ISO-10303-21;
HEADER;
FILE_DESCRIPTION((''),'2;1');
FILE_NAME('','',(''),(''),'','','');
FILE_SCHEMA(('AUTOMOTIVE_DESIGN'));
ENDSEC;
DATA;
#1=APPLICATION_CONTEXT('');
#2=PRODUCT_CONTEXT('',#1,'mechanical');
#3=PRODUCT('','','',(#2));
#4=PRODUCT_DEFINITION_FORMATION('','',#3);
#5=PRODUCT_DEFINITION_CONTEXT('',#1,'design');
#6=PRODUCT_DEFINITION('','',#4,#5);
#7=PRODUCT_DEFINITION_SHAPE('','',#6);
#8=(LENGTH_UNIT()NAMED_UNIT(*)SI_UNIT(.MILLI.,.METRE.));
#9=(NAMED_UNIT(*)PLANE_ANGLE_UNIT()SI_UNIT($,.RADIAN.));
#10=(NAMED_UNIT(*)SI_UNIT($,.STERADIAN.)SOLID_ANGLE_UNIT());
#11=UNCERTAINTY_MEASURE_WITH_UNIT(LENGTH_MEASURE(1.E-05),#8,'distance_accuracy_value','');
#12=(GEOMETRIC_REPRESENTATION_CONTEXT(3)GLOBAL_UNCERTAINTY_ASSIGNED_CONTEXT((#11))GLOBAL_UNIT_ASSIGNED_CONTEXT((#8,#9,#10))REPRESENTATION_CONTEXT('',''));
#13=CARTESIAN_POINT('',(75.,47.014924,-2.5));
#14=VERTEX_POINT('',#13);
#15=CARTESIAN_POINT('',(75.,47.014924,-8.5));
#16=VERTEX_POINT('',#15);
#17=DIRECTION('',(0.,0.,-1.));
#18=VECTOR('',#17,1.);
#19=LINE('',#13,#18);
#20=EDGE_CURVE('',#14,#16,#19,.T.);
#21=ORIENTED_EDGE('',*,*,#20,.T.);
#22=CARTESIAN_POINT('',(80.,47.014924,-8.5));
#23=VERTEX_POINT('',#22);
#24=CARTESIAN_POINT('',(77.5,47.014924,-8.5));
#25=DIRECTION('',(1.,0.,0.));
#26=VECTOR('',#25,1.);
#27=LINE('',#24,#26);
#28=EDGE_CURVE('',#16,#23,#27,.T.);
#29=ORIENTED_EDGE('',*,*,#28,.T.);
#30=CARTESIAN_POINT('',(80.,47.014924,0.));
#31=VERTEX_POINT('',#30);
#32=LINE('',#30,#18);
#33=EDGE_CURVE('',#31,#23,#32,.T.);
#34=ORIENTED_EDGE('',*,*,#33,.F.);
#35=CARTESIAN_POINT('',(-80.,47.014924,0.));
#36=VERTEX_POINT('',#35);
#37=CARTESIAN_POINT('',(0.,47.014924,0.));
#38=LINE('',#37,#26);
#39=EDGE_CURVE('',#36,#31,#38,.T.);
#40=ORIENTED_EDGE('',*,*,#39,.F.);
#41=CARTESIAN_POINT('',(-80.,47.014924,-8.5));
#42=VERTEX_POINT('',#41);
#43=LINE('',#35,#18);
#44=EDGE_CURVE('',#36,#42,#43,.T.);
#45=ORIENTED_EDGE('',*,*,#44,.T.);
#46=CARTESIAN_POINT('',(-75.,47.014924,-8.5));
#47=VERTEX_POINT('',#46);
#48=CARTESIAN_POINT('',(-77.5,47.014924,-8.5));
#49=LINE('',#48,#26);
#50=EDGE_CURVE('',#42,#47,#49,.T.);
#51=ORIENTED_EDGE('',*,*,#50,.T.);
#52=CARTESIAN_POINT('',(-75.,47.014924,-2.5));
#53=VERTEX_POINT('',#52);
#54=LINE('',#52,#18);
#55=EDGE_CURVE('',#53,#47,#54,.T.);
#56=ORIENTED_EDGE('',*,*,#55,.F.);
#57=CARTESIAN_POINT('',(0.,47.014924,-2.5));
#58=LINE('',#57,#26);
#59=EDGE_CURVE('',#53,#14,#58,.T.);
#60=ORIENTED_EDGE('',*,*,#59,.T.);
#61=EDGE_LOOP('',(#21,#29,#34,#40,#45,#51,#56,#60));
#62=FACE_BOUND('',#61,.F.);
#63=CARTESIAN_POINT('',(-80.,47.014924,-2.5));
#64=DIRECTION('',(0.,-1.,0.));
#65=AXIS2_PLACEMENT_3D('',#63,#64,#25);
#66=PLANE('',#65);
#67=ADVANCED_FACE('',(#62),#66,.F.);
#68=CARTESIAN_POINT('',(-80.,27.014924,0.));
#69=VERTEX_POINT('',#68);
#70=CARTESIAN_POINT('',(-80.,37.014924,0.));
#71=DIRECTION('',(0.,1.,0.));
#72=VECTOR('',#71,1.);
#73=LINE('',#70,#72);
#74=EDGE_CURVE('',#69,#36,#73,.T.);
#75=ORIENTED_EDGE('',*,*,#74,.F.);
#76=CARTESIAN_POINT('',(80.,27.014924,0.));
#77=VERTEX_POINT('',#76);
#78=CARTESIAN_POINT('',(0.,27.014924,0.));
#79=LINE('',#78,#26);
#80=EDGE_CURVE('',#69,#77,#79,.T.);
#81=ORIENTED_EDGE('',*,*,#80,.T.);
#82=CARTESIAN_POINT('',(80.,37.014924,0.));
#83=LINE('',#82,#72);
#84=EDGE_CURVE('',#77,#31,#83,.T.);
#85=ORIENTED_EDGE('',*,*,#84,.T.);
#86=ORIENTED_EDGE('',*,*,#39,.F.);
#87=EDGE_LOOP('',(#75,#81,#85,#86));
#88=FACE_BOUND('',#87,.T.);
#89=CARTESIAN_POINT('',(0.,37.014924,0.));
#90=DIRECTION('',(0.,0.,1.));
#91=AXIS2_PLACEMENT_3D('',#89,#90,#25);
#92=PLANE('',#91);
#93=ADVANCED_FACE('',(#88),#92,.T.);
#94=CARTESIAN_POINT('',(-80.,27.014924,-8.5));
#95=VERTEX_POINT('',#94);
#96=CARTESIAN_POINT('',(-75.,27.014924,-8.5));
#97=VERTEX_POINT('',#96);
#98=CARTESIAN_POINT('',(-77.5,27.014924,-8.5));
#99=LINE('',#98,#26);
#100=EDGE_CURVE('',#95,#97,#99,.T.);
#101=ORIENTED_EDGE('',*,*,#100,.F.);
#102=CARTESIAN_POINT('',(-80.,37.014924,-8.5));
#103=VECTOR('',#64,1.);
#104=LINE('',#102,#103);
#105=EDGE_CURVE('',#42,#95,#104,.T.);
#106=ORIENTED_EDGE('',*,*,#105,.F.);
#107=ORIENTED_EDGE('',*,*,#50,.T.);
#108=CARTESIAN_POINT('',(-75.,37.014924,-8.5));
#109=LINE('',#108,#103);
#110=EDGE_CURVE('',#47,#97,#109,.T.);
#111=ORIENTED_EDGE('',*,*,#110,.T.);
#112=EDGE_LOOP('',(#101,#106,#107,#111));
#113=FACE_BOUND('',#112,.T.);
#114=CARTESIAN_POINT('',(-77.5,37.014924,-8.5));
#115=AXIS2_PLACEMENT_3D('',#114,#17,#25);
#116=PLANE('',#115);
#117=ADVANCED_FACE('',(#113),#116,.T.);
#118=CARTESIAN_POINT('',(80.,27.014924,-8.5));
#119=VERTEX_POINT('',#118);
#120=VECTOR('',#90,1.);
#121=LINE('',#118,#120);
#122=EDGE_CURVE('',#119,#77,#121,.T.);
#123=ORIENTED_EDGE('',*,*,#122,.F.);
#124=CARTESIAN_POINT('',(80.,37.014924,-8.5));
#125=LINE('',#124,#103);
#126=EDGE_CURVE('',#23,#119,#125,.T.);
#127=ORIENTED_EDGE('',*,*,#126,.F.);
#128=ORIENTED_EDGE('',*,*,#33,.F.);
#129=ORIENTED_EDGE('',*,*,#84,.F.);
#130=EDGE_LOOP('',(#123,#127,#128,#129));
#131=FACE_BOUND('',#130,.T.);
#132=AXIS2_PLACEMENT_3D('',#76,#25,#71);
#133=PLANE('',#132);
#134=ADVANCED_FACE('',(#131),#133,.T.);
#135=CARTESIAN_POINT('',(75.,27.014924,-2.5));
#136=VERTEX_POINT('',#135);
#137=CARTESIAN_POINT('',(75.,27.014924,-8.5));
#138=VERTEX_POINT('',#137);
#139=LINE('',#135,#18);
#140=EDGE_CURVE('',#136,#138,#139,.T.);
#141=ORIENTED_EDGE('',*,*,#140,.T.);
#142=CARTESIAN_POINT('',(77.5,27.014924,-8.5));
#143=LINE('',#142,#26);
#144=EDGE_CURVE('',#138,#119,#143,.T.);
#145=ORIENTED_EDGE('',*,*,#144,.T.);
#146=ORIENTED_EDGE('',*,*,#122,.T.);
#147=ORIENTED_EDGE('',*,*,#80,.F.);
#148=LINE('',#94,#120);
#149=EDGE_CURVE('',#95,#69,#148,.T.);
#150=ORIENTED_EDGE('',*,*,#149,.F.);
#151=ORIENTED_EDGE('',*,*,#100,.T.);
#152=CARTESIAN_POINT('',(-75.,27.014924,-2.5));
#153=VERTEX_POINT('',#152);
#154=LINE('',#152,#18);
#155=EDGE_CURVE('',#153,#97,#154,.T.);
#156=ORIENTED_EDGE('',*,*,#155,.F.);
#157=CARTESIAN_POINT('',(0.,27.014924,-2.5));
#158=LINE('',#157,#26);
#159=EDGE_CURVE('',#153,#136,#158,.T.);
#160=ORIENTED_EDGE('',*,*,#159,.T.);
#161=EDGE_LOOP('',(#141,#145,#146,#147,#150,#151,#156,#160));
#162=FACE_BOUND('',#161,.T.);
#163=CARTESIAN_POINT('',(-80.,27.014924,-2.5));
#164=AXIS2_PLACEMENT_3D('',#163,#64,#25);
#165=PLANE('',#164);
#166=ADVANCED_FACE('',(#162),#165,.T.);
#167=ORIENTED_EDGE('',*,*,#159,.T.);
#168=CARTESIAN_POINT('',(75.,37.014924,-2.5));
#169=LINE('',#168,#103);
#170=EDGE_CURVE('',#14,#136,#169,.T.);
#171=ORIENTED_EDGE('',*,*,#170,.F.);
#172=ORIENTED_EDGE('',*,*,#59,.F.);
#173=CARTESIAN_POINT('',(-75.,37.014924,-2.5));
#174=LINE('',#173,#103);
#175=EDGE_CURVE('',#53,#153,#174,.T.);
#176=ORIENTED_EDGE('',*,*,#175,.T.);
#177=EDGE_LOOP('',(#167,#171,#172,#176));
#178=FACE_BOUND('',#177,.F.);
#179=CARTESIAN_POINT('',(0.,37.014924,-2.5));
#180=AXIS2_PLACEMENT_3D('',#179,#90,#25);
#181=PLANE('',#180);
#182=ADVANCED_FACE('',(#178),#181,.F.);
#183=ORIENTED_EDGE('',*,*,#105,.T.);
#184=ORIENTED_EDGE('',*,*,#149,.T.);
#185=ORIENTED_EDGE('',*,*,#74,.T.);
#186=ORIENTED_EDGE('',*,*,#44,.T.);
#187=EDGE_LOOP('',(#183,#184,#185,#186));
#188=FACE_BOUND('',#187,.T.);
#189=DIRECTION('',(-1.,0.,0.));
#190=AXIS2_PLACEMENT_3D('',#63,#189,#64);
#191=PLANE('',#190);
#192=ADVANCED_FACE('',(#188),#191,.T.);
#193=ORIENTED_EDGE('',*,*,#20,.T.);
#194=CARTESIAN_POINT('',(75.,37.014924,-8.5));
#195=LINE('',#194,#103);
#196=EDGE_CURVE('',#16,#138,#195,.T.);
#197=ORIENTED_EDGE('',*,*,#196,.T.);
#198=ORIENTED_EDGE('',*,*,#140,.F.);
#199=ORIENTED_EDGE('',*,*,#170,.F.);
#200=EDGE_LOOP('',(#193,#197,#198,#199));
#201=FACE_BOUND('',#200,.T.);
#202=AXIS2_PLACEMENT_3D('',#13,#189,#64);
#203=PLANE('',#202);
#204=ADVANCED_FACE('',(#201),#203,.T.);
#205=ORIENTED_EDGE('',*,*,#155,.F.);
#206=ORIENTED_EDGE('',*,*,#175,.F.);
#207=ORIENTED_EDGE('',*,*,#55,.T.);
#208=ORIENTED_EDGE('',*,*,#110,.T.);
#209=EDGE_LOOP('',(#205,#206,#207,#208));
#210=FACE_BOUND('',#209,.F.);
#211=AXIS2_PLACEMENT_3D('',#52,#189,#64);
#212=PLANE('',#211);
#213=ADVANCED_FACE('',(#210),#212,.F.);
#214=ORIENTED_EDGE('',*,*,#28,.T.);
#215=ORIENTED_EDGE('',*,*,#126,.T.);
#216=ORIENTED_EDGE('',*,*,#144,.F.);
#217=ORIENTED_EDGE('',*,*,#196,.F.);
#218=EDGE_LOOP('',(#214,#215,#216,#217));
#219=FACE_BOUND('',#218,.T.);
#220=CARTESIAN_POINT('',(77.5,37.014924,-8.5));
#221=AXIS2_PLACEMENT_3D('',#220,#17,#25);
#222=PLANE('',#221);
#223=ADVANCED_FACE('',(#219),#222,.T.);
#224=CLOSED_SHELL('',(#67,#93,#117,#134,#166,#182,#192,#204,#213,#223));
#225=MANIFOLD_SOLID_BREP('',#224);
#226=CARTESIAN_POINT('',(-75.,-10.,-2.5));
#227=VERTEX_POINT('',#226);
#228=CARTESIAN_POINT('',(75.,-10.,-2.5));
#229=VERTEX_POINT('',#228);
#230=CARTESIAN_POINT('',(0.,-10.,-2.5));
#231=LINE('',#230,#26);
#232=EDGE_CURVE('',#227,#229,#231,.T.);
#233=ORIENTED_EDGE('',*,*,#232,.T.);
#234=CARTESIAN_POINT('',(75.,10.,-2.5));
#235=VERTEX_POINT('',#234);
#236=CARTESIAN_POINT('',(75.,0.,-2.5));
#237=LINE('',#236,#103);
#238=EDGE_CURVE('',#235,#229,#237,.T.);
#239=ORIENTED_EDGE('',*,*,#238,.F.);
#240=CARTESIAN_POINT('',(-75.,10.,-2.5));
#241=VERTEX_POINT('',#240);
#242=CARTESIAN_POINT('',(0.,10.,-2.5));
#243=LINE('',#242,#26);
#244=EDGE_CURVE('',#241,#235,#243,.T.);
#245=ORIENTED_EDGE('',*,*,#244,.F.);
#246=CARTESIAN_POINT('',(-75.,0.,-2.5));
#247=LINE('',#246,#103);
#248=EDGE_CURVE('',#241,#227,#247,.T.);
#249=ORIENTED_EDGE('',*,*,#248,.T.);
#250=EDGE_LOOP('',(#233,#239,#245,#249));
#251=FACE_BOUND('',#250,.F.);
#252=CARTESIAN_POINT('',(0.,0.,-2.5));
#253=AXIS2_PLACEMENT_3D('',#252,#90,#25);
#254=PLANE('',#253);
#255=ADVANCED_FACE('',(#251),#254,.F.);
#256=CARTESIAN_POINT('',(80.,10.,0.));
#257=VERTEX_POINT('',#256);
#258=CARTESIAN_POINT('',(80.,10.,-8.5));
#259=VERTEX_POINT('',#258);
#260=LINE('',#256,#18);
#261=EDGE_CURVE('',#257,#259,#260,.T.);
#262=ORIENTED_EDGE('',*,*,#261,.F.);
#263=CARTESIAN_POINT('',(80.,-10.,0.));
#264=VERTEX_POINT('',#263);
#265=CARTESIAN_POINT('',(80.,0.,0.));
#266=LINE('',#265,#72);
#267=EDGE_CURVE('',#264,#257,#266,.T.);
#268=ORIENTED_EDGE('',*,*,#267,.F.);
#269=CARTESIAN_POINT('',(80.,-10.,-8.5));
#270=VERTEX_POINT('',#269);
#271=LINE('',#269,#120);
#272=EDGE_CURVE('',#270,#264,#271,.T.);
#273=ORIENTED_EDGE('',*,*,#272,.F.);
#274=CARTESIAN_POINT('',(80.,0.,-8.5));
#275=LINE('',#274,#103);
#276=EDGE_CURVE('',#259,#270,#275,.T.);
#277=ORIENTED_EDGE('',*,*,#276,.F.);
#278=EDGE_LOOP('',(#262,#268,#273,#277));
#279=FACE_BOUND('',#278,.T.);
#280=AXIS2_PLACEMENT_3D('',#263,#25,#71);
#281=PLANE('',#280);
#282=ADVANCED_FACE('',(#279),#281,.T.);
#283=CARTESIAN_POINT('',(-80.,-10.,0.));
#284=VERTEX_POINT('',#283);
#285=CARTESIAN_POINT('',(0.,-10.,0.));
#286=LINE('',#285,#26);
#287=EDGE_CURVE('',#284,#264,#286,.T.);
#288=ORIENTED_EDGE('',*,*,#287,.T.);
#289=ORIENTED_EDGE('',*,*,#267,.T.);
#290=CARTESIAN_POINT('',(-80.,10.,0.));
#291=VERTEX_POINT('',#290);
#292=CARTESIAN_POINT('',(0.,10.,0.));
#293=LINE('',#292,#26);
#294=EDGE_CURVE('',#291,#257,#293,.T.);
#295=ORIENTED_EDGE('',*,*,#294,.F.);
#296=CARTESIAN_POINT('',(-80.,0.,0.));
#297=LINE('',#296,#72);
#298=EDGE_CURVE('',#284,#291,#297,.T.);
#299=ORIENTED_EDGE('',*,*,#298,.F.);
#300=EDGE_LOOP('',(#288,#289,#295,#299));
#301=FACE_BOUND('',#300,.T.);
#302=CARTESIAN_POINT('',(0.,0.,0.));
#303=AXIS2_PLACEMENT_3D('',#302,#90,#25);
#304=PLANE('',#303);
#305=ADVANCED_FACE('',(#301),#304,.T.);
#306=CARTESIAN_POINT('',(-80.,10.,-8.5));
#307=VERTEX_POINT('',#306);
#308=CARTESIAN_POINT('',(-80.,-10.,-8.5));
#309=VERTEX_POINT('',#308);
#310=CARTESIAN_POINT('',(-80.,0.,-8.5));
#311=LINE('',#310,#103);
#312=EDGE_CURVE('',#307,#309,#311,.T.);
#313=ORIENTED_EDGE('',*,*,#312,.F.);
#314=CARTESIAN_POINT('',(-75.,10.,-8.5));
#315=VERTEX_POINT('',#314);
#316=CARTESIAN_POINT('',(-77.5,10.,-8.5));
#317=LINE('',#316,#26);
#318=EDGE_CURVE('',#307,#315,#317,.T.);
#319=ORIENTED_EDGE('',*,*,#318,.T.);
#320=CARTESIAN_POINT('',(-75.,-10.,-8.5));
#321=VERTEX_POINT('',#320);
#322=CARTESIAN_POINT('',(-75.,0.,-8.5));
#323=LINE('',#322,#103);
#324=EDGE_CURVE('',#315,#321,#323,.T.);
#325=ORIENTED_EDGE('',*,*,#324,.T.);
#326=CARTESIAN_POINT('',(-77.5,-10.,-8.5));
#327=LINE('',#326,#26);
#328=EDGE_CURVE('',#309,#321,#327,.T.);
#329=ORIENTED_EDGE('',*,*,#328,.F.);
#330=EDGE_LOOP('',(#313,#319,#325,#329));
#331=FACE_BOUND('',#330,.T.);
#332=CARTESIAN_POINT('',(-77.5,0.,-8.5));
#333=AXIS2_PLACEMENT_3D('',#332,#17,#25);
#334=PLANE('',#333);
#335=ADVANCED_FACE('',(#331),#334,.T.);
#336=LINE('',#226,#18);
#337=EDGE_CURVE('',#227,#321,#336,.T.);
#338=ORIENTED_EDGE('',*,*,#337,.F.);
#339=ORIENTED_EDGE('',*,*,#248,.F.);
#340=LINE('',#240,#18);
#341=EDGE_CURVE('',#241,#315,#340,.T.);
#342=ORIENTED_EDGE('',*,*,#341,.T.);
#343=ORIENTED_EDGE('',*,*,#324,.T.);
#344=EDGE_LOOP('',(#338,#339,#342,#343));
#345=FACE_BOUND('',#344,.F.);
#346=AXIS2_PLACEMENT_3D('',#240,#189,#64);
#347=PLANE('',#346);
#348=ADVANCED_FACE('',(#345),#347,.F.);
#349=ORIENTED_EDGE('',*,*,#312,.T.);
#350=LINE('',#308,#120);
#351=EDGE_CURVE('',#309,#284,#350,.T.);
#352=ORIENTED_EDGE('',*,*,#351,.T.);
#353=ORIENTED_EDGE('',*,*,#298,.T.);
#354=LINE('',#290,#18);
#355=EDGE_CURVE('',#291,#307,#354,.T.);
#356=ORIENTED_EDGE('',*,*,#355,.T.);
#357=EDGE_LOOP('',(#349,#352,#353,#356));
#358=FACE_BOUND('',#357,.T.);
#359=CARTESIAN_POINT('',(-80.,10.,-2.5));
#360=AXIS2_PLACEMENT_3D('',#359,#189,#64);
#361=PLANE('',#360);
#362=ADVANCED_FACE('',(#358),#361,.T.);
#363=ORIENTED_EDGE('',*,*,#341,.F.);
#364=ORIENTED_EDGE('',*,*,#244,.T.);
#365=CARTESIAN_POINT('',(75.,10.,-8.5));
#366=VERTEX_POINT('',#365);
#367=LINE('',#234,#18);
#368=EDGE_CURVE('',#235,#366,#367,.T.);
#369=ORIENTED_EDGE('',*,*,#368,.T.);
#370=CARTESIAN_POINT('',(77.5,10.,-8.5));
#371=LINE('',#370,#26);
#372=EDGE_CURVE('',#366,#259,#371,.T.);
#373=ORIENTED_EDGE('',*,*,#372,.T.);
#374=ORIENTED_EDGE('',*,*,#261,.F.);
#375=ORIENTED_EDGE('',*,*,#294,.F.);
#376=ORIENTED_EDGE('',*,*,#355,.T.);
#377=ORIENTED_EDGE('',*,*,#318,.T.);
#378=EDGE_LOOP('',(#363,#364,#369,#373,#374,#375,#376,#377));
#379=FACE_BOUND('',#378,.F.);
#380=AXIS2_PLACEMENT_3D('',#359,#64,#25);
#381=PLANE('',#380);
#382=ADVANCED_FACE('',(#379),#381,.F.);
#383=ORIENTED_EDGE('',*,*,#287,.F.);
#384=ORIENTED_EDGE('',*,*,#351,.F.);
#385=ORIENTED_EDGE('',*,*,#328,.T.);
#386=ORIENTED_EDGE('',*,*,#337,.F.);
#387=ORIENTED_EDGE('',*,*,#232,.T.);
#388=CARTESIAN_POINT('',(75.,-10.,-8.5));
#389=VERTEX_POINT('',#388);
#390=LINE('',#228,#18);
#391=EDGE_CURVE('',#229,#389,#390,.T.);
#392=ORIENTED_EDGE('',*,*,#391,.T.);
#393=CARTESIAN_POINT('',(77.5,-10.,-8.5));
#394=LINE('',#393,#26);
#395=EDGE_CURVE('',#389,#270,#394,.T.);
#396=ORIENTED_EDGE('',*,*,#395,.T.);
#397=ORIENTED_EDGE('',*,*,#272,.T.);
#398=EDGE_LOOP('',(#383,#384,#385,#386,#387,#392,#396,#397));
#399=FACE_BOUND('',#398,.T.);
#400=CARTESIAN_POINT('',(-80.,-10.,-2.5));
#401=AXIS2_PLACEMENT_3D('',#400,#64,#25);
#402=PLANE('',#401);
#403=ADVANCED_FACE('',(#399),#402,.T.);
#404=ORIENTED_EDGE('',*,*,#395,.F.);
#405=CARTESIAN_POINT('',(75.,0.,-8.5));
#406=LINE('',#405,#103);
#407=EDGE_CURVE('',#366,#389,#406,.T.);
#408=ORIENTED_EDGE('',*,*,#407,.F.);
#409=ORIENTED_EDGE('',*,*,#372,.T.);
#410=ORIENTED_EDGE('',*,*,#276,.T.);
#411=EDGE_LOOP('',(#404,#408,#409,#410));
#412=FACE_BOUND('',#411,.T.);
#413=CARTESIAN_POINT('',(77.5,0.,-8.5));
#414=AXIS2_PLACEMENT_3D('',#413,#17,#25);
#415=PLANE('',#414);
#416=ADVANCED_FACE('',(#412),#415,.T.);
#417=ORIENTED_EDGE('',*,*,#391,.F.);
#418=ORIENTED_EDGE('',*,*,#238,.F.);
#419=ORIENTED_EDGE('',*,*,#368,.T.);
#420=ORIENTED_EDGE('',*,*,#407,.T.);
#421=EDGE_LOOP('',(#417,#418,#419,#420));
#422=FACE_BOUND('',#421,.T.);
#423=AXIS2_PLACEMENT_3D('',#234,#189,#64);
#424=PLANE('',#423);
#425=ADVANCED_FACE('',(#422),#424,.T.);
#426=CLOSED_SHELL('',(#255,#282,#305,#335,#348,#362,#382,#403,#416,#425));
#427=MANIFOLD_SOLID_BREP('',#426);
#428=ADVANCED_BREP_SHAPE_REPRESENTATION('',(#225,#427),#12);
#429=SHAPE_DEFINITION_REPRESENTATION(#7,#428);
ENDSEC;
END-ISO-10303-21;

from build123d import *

# Parameters (mm, degrees)
F0_W     = 160
F0_H     = 20
F1_DEPTH = 2.5
F2_W     = 5
F2_H     = 20
F3_DEPTH = 6
F4_W     = 160
F4_H     = 20
F5_DEPTH = 2.5
F6_W     = 5
F6_H     = 20
F7_DEPTH = 6


with BuildPart() as f1:
    # F0 (on Top) → F1 (new body)
    with BuildSketch(Plane.XY):
        Rectangle(F0_W, F0_H)
    extrude(amount=-F1_DEPTH)

    # F2 (on face) → F3 (join)
    with BuildSketch(Plane(origin=(0, 0, -2.5), x_dir=(1, 0, 0), z_dir=(0, 0, -1))):
        with Locations((-77.5, 0)):
            Rectangle(F2_W, F2_H)
        with Locations((77.5, 0)):
            Rectangle(F2_W, F2_H)
    extrude(amount=F3_DEPTH)


with BuildPart() as f5:
    # F4 (on Top) → F5 (new body)
    with BuildSketch(Plane.XY):
        with Locations((0, 37.014924)):
            Rectangle(F4_W, F4_H)
    extrude(amount=-F5_DEPTH)

    # F6 (on face) → F7 (join)
    with BuildSketch(Plane(origin=(0, 0, -2.5), x_dir=(1, 0, 0), z_dir=(0, 0, -1))):
        with Locations((-77.5, -37.014924)):
            Rectangle(F6_W, F6_H)
        with Locations((77.5, -37.014924)):
            Rectangle(F6_W, F6_H)
    extrude(amount=F7_DEPTH)


solid = Compound([f1.part, f5.part])
